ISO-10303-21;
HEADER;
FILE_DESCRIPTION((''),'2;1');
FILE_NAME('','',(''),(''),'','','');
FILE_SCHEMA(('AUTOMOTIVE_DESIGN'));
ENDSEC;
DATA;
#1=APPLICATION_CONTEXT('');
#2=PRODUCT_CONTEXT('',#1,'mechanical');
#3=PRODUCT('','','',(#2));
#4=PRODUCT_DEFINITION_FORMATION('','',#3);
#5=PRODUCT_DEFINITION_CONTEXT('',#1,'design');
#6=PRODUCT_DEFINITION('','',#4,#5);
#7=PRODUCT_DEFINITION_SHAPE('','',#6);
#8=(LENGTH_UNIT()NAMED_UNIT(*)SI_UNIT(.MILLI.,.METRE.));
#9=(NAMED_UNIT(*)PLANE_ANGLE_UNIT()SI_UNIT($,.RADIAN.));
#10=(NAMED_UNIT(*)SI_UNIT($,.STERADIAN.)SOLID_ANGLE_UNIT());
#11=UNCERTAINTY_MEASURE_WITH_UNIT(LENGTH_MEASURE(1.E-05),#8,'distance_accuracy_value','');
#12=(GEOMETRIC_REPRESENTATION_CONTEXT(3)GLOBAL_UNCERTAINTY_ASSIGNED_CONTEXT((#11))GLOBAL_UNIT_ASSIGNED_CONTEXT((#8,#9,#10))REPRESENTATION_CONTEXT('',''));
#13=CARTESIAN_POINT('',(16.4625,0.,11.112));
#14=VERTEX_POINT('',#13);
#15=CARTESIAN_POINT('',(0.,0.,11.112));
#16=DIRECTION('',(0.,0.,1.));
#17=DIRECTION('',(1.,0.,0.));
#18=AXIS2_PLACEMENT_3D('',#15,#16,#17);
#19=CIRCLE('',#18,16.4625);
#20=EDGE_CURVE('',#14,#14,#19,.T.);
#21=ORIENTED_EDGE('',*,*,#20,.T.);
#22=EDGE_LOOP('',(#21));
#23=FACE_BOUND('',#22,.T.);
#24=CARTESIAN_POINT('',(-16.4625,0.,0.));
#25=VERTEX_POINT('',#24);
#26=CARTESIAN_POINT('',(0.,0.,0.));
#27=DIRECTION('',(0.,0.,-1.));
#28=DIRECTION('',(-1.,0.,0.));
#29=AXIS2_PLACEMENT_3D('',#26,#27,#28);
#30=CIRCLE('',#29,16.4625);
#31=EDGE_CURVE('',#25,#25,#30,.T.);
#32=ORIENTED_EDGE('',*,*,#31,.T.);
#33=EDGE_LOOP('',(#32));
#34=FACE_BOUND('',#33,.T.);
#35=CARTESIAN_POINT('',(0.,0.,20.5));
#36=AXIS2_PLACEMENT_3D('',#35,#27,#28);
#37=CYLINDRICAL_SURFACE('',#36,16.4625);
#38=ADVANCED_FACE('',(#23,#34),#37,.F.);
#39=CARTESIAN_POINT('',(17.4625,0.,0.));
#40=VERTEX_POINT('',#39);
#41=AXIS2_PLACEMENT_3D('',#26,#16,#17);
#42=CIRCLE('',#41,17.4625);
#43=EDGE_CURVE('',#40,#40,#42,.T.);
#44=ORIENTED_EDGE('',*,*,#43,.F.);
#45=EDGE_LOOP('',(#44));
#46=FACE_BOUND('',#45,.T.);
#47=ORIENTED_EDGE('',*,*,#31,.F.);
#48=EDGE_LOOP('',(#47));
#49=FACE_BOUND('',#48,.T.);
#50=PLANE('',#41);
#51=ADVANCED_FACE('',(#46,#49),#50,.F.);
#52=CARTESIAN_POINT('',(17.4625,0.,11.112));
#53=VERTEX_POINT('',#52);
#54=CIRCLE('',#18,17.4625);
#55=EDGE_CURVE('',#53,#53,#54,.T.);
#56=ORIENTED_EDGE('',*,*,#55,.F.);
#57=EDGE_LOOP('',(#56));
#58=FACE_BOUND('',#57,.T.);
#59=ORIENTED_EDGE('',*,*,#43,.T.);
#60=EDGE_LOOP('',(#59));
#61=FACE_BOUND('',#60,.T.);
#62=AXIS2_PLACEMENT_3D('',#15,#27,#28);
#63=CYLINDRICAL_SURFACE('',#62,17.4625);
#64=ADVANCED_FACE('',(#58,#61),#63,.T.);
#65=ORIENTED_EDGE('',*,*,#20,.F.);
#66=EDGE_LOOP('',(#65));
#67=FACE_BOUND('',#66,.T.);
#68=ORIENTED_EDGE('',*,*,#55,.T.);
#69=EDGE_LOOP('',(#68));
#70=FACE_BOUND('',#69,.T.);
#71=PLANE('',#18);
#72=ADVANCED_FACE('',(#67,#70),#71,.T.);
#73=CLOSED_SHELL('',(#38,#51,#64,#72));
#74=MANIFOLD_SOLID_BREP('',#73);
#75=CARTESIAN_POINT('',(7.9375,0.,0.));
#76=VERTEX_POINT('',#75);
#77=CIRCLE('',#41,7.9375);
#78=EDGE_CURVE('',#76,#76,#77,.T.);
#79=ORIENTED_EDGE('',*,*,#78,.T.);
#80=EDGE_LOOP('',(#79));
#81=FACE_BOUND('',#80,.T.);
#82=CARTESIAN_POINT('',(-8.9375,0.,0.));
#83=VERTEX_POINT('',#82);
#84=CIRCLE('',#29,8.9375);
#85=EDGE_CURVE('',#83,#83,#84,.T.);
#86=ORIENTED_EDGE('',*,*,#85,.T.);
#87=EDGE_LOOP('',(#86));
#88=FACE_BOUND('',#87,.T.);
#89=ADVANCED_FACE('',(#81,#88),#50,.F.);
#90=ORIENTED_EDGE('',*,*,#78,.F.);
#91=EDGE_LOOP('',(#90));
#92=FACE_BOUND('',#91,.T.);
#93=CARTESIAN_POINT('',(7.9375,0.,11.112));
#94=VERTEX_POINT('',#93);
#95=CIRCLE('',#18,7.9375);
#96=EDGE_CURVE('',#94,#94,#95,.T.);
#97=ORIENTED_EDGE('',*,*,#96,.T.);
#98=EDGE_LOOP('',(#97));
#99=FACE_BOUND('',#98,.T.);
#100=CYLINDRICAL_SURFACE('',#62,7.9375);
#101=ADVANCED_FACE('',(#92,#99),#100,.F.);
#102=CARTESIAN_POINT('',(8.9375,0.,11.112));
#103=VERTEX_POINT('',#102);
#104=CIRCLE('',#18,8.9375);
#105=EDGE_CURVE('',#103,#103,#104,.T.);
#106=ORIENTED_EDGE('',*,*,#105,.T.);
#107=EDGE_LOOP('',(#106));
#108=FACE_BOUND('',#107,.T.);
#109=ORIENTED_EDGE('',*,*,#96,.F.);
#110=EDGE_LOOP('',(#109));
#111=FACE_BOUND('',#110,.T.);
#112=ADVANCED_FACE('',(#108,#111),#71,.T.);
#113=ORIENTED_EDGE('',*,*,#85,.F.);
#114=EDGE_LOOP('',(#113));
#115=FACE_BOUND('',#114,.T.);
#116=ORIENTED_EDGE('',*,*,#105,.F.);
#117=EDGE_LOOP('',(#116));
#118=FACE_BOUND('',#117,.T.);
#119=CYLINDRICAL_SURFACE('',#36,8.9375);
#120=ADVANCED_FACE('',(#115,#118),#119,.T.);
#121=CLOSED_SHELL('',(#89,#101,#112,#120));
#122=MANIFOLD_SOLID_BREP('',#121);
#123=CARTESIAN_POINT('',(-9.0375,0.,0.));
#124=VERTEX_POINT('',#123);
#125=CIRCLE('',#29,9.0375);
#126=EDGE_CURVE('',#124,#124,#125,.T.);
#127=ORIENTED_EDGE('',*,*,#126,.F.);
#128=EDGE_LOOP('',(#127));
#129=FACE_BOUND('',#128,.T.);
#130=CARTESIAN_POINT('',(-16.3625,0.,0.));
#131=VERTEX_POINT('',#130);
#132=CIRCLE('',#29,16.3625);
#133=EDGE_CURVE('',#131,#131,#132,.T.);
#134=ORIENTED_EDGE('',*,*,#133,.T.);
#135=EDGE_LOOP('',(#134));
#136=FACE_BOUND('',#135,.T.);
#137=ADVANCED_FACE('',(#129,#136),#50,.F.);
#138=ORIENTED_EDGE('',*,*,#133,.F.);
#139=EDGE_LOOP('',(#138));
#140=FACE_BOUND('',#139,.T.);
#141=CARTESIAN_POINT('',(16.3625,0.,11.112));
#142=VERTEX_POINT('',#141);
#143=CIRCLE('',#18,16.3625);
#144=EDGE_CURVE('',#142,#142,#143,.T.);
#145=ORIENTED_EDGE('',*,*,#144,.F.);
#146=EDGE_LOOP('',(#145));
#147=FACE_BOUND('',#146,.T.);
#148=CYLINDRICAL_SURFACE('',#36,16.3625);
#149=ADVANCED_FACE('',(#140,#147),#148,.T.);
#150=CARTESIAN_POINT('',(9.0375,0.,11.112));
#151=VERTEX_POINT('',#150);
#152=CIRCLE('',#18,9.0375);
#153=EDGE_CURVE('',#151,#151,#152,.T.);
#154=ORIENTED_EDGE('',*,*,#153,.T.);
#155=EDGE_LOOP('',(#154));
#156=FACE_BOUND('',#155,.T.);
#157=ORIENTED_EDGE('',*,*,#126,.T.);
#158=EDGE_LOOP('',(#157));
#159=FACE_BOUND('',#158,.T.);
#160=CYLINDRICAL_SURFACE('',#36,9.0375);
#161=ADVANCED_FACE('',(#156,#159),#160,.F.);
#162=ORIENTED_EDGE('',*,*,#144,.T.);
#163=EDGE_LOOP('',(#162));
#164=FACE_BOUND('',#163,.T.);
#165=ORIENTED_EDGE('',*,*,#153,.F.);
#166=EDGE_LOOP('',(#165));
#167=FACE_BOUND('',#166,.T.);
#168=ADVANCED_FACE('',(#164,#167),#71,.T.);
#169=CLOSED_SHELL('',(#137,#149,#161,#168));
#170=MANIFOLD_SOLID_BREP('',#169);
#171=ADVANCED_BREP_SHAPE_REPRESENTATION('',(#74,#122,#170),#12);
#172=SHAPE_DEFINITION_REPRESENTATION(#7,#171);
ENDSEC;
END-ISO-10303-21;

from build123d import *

# Parameters (mm, degrees)
CROQUIS1_R              = 17.4625
CROQUIS1_R_2            = 7.9375
SALIENTE_EXTRUIR1_DEPTH = 11.112
CROQUIS5_R              = 16.4625
CROQUIS5_R_2            = 16.3625
CROQUIS5_R_3            = 9.0375
CROQUIS5_R_4            = 8.9375
CORTAR_EXTRUIR4_DEPTH   = 20.5


with BuildPart() as part:
    # Croquis1 → Saliente-Extruir1 (new body)
    with BuildSketch(Plane.XY):
        Circle(CROQUIS1_R)
        Circle(CROQUIS1_R_2, mode=Mode.SUBTRACT)
    extrude(amount=SALIENTE_EXTRUIR1_DEPTH)

    # Croquis5 → Cortar-Extruir4 (cut)
    with BuildSketch(Plane(origin=(0, 0, 0), x_dir=(-1, 0, 0), z_dir=(0, 0, -1))):
        Circle(CROQUIS5_R)
        Circle(CROQUIS5_R_2, mode=Mode.SUBTRACT)
        Circle(CROQUIS5_R_3)
        Circle(CROQUIS5_R_4, mode=Mode.SUBTRACT)
    extrude(amount=-CORTAR_EXTRUIR4_DEPTH, mode=Mode.SUBTRACT)


with BuildPart() as cortar_extruir4_piece_1:
    # of the separate pieces the step leaves, piece 1, a body of its own (cortar_extruir4_pieces)
    add(part.part.solids().sort_by_distance((-16.3625, 0, 0))[0])


with BuildPart() as cortar_extruir4_piece_2:
    # of the separate pieces the step leaves, piece 2, a body of its own (cortar_extruir4_pieces)
    add(part.part.solids().sort_by_distance((17.4625, 0, 0))[0])


with BuildPart() as cortar_extruir4_piece_3:
    # of the separate pieces the step leaves, piece 3, a body of its own (cortar_extruir4_pieces)
    add(part.part.solids().sort_by_distance((-8.9375, 0, 0))[0])


solid = Compound([cortar_extruir4_piece_1.part, cortar_extruir4_piece_2.part, cortar_extruir4_piece_3.part])
